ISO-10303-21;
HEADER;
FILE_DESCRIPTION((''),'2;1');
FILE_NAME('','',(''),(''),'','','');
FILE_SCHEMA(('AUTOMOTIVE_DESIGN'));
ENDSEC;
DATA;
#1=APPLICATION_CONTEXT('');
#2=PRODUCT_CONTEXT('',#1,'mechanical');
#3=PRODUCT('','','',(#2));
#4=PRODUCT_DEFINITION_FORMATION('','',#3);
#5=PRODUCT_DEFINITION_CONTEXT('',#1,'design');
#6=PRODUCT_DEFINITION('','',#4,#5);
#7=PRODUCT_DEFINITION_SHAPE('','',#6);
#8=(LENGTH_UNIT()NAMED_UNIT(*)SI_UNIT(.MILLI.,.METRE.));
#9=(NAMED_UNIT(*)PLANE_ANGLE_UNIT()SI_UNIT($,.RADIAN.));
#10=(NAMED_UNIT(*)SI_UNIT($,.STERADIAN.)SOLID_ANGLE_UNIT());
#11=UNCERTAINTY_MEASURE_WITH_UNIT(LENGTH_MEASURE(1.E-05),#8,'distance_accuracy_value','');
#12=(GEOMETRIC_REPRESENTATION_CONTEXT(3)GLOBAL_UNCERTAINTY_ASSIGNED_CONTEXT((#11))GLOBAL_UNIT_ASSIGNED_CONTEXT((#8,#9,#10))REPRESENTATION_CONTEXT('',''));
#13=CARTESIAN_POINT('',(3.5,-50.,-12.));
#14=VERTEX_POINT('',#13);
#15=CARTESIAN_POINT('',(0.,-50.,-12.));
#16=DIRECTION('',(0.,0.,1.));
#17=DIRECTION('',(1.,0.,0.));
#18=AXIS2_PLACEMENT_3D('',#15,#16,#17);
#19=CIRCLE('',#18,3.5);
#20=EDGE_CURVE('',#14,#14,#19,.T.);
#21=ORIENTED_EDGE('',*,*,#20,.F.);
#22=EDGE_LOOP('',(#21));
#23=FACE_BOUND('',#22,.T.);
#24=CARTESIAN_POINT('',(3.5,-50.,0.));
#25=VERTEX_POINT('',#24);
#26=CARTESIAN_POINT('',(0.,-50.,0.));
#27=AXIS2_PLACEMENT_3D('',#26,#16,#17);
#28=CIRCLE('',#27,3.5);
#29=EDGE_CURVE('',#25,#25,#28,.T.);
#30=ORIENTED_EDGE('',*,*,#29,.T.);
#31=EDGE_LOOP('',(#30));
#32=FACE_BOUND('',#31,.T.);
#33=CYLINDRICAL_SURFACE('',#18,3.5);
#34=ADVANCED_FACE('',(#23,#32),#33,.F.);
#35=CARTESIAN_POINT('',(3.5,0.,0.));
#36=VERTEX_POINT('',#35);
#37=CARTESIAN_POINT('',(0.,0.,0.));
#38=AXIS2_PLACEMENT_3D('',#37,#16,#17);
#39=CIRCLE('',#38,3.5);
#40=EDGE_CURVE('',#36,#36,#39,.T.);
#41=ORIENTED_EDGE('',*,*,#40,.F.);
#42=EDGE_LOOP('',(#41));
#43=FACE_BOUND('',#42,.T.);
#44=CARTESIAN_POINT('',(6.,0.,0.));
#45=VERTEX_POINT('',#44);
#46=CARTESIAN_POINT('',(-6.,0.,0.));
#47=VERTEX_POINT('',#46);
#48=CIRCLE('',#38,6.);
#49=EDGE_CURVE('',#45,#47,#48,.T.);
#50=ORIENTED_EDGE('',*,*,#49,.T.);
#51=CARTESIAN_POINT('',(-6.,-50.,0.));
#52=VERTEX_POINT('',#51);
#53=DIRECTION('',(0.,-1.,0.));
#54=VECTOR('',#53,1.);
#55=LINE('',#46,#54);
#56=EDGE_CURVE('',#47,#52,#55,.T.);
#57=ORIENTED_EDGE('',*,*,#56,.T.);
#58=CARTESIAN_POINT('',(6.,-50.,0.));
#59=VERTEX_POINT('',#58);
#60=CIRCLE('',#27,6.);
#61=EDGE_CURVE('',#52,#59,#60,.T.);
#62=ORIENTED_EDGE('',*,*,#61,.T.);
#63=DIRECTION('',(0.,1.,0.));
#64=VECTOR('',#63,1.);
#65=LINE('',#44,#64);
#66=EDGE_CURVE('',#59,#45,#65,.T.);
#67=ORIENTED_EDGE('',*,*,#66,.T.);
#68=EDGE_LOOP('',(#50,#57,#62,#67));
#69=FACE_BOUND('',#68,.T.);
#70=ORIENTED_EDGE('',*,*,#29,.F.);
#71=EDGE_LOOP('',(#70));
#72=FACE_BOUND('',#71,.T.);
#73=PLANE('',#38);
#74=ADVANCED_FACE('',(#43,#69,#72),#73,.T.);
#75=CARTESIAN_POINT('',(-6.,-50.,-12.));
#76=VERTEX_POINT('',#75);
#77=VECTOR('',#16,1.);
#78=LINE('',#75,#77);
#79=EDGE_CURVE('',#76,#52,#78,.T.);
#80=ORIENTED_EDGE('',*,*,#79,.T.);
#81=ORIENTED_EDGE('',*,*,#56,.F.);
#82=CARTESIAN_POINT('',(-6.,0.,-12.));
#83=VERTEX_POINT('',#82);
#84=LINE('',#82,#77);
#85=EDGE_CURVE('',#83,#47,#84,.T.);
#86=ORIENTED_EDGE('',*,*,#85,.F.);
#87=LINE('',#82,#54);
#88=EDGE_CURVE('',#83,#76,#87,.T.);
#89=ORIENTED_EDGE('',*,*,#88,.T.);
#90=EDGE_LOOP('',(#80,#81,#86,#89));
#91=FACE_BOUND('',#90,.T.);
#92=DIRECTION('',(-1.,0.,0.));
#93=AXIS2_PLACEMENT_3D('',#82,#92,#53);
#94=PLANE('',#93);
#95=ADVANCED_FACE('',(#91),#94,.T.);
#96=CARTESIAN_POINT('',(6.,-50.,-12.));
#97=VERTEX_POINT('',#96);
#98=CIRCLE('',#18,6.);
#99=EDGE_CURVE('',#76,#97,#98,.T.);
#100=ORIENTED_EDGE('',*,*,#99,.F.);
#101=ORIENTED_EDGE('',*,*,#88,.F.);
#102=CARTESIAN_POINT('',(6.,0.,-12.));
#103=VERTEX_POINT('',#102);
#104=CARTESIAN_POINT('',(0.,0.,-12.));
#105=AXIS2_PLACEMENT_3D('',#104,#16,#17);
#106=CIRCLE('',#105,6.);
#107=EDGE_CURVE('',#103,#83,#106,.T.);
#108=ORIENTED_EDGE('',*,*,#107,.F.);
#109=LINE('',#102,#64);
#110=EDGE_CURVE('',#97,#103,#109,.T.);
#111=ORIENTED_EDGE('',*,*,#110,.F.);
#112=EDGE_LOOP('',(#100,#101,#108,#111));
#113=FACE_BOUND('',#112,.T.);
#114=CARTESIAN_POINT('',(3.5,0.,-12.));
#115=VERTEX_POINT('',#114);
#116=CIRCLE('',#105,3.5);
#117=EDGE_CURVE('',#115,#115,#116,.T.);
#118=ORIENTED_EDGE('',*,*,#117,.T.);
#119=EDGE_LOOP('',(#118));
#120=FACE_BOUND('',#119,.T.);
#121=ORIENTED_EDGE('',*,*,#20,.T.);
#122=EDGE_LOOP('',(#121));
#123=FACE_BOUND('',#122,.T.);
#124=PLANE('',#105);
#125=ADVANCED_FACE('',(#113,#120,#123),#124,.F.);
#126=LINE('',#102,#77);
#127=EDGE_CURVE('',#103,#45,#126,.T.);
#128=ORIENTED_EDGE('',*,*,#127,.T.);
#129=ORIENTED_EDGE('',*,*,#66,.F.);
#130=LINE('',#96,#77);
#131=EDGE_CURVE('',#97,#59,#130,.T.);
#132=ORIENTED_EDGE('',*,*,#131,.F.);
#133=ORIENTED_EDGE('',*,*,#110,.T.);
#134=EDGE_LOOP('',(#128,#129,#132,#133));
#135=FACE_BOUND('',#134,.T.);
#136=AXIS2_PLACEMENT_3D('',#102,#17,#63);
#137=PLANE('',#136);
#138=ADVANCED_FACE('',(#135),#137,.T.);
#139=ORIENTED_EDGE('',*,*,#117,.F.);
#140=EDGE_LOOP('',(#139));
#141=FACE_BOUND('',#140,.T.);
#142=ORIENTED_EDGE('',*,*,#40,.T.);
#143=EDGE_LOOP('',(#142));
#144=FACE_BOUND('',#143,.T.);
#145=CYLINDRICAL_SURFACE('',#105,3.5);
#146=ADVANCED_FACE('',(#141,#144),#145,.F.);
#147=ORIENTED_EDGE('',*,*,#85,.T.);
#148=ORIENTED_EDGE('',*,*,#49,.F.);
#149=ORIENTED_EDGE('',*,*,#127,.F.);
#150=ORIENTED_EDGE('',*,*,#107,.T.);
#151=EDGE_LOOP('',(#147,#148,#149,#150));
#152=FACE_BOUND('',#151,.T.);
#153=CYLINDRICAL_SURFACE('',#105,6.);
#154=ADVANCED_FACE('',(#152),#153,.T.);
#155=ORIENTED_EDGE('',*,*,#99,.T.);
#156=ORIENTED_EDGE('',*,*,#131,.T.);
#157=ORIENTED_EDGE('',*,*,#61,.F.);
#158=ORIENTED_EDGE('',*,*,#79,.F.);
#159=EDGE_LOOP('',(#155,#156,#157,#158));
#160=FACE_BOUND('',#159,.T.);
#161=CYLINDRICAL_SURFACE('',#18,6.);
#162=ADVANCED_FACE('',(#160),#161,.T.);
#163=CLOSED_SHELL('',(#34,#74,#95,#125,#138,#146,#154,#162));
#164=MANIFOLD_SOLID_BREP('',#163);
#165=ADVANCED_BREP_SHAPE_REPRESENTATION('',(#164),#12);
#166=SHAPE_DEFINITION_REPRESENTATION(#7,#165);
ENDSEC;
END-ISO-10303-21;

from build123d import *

# Parameters (mm, degrees)
SKETCH1_R           = 3.5
BOSS_EXTRUDE1_DEPTH = 12


with BuildPart() as part:
    # Sketch1 → Boss-Extrude1 (new body)
    with BuildSketch(Plane.XY):
        with BuildLine():
            Line((-6, 0), (-6, -50))
            ThreePointArc((-6, -50), (0, -56), (6, -50))
            Line((6, -50), (6, 0))
            ThreePointArc((6, 0), (0, 6), (-6, 0))
        make_face()
        Circle(SKETCH1_R, mode=Mode.SUBTRACT)
        with Locations((0, -50)):
            Circle(SKETCH1_R, mode=Mode.SUBTRACT)
    extrude(amount=-BOSS_EXTRUDE1_DEPTH)


solid = part.part
